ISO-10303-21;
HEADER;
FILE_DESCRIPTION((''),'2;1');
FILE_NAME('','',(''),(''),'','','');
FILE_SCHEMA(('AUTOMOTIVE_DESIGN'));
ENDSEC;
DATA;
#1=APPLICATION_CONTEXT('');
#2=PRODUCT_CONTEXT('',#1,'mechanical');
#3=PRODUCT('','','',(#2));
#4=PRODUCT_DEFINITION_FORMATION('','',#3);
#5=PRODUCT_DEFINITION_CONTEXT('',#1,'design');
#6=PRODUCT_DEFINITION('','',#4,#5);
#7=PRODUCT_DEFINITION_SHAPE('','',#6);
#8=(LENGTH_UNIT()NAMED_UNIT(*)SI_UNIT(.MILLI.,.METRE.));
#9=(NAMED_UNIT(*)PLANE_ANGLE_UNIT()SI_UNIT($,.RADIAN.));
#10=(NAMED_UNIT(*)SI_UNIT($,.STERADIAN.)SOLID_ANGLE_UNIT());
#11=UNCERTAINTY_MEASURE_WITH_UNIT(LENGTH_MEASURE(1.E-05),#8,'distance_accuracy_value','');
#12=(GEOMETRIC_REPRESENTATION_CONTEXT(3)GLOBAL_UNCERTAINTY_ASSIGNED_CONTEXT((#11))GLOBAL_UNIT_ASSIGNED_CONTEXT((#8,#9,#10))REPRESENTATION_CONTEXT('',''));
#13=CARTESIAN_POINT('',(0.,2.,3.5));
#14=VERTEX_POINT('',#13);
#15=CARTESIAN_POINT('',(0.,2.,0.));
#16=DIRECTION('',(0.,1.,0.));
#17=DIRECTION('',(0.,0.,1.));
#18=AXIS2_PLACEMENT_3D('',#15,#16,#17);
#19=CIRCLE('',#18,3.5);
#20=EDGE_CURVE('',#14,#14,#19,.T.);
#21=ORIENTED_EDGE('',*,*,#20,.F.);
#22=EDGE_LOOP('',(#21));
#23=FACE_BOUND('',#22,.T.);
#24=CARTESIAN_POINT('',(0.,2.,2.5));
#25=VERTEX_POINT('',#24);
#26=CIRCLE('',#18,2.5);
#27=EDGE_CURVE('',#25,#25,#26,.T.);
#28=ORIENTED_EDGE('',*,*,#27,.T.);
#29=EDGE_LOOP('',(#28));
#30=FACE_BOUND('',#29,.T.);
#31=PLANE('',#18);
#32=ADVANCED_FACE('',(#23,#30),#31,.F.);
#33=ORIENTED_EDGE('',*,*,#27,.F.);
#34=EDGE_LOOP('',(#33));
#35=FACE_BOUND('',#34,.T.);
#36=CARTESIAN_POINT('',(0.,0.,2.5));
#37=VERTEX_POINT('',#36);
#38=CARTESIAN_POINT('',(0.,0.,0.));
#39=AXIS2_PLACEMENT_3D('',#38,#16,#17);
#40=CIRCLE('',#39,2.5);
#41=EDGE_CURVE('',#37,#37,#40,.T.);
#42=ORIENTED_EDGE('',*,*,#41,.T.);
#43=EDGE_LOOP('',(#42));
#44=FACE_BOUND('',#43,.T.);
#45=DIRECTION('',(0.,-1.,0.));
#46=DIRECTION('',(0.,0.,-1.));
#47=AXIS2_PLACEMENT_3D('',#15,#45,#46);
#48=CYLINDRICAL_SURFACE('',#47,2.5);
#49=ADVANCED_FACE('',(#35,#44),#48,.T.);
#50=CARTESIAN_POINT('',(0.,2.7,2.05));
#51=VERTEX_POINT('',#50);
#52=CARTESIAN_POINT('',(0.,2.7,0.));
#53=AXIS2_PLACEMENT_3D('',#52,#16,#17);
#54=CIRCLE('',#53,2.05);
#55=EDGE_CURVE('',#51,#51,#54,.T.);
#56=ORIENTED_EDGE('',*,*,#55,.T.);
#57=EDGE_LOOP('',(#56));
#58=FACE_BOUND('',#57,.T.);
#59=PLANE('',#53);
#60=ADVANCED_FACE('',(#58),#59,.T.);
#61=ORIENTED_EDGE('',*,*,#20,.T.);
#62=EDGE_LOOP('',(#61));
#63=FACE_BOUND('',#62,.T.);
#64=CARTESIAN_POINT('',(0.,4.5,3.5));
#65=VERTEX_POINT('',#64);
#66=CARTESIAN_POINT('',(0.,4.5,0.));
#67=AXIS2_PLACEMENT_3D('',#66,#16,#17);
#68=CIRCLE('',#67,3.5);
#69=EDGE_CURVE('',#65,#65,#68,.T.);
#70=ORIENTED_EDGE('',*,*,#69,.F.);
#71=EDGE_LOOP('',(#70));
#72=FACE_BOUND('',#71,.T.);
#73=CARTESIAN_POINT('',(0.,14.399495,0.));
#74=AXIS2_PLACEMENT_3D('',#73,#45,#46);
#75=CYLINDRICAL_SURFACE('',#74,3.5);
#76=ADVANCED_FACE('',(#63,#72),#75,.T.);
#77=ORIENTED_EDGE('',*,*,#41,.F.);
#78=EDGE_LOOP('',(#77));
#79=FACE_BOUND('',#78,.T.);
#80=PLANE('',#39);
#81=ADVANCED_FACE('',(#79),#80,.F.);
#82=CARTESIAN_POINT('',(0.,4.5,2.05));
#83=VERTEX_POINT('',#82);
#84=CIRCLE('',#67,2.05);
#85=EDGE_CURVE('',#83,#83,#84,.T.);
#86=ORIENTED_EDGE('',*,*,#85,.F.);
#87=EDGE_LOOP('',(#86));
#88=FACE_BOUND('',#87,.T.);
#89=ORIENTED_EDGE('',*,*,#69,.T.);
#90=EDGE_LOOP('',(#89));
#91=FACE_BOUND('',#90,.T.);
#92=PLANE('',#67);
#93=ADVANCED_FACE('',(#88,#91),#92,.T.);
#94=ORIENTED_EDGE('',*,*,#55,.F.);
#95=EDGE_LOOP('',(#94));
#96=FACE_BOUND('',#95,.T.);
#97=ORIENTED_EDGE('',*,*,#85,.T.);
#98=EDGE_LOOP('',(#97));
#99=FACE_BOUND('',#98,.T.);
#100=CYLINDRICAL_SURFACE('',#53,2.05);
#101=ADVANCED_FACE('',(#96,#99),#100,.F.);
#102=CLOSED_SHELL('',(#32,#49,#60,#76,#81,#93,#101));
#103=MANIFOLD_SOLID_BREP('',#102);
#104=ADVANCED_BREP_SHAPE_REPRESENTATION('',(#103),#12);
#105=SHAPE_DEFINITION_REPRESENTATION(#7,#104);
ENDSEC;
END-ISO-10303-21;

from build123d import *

# Parameters (mm, degrees)
SKETCH1_R           = 2.5
BOSS_EXTRUDE2_DEPTH = 4.5
SKETCH1_3_R         = 3.5
SKETCH1_3_R_2       = 2.5
BOSS_EXTRUDE3_DEPTH = 4.5
SKETCH1_4_R         = 3.5
SKETCH1_4_R_2       = 2.5
CUT_EXTRUDE1_DEPTH  = 2
SKETCH2_R           = 2.05
CUT_EXTRUDE2_DEPTH  = 1.8


with BuildPart() as part:
    # Sketch1 → Boss-Extrude2 (new body)
    with BuildSketch(Plane(origin=(0, 0, 0), x_dir=(1, 0, 0), z_dir=(0, 1, 0))):
        with Locations(Location((0, 0, 0), (0, 0, 270))):
            Circle(SKETCH1_R)
    extrude(amount=BOSS_EXTRUDE2_DEPTH)

    # Sketch1<3> → Boss-Extrude3 (add)
    with BuildSketch(Plane(origin=(0, 0, 0), x_dir=(1, 0, 0), z_dir=(0, 1, 0))):
        with Locations(Location((0, 0, 0), (0, 0, 270))):
            Circle(SKETCH1_3_R)
        Circle(SKETCH1_3_R_2, mode=Mode.SUBTRACT)
    extrude(amount=BOSS_EXTRUDE3_DEPTH)

    # Sketch1<4> → Cut-Extrude1 (cut)
    with BuildSketch(Plane(origin=(0, 0, 0), x_dir=(1, 0, 0), z_dir=(0, 1, 0))):
        with Locations(Location((0, 0, 0), (0, 0, 270))):
            Circle(SKETCH1_4_R)
        with Locations(Location((0, 0, 0), (0, 0, 270))):
            Circle(SKETCH1_4_R_2, mode=Mode.SUBTRACT)
    extrude(amount=CUT_EXTRUDE1_DEPTH, mode=Mode.SUBTRACT)

    # Sketch2 → Cut-Extrude2 (cut)
    with BuildSketch(Plane(origin=(0, 4.5, 0), x_dir=(1, 0, 0), z_dir=(0, 1, 0))):
        with Locations(Location((0, 0, 0), (0, 0, 270))):
            Circle(SKETCH2_R)
    extrude(amount=-CUT_EXTRUDE2_DEPTH, mode=Mode.SUBTRACT)


solid = part.part
